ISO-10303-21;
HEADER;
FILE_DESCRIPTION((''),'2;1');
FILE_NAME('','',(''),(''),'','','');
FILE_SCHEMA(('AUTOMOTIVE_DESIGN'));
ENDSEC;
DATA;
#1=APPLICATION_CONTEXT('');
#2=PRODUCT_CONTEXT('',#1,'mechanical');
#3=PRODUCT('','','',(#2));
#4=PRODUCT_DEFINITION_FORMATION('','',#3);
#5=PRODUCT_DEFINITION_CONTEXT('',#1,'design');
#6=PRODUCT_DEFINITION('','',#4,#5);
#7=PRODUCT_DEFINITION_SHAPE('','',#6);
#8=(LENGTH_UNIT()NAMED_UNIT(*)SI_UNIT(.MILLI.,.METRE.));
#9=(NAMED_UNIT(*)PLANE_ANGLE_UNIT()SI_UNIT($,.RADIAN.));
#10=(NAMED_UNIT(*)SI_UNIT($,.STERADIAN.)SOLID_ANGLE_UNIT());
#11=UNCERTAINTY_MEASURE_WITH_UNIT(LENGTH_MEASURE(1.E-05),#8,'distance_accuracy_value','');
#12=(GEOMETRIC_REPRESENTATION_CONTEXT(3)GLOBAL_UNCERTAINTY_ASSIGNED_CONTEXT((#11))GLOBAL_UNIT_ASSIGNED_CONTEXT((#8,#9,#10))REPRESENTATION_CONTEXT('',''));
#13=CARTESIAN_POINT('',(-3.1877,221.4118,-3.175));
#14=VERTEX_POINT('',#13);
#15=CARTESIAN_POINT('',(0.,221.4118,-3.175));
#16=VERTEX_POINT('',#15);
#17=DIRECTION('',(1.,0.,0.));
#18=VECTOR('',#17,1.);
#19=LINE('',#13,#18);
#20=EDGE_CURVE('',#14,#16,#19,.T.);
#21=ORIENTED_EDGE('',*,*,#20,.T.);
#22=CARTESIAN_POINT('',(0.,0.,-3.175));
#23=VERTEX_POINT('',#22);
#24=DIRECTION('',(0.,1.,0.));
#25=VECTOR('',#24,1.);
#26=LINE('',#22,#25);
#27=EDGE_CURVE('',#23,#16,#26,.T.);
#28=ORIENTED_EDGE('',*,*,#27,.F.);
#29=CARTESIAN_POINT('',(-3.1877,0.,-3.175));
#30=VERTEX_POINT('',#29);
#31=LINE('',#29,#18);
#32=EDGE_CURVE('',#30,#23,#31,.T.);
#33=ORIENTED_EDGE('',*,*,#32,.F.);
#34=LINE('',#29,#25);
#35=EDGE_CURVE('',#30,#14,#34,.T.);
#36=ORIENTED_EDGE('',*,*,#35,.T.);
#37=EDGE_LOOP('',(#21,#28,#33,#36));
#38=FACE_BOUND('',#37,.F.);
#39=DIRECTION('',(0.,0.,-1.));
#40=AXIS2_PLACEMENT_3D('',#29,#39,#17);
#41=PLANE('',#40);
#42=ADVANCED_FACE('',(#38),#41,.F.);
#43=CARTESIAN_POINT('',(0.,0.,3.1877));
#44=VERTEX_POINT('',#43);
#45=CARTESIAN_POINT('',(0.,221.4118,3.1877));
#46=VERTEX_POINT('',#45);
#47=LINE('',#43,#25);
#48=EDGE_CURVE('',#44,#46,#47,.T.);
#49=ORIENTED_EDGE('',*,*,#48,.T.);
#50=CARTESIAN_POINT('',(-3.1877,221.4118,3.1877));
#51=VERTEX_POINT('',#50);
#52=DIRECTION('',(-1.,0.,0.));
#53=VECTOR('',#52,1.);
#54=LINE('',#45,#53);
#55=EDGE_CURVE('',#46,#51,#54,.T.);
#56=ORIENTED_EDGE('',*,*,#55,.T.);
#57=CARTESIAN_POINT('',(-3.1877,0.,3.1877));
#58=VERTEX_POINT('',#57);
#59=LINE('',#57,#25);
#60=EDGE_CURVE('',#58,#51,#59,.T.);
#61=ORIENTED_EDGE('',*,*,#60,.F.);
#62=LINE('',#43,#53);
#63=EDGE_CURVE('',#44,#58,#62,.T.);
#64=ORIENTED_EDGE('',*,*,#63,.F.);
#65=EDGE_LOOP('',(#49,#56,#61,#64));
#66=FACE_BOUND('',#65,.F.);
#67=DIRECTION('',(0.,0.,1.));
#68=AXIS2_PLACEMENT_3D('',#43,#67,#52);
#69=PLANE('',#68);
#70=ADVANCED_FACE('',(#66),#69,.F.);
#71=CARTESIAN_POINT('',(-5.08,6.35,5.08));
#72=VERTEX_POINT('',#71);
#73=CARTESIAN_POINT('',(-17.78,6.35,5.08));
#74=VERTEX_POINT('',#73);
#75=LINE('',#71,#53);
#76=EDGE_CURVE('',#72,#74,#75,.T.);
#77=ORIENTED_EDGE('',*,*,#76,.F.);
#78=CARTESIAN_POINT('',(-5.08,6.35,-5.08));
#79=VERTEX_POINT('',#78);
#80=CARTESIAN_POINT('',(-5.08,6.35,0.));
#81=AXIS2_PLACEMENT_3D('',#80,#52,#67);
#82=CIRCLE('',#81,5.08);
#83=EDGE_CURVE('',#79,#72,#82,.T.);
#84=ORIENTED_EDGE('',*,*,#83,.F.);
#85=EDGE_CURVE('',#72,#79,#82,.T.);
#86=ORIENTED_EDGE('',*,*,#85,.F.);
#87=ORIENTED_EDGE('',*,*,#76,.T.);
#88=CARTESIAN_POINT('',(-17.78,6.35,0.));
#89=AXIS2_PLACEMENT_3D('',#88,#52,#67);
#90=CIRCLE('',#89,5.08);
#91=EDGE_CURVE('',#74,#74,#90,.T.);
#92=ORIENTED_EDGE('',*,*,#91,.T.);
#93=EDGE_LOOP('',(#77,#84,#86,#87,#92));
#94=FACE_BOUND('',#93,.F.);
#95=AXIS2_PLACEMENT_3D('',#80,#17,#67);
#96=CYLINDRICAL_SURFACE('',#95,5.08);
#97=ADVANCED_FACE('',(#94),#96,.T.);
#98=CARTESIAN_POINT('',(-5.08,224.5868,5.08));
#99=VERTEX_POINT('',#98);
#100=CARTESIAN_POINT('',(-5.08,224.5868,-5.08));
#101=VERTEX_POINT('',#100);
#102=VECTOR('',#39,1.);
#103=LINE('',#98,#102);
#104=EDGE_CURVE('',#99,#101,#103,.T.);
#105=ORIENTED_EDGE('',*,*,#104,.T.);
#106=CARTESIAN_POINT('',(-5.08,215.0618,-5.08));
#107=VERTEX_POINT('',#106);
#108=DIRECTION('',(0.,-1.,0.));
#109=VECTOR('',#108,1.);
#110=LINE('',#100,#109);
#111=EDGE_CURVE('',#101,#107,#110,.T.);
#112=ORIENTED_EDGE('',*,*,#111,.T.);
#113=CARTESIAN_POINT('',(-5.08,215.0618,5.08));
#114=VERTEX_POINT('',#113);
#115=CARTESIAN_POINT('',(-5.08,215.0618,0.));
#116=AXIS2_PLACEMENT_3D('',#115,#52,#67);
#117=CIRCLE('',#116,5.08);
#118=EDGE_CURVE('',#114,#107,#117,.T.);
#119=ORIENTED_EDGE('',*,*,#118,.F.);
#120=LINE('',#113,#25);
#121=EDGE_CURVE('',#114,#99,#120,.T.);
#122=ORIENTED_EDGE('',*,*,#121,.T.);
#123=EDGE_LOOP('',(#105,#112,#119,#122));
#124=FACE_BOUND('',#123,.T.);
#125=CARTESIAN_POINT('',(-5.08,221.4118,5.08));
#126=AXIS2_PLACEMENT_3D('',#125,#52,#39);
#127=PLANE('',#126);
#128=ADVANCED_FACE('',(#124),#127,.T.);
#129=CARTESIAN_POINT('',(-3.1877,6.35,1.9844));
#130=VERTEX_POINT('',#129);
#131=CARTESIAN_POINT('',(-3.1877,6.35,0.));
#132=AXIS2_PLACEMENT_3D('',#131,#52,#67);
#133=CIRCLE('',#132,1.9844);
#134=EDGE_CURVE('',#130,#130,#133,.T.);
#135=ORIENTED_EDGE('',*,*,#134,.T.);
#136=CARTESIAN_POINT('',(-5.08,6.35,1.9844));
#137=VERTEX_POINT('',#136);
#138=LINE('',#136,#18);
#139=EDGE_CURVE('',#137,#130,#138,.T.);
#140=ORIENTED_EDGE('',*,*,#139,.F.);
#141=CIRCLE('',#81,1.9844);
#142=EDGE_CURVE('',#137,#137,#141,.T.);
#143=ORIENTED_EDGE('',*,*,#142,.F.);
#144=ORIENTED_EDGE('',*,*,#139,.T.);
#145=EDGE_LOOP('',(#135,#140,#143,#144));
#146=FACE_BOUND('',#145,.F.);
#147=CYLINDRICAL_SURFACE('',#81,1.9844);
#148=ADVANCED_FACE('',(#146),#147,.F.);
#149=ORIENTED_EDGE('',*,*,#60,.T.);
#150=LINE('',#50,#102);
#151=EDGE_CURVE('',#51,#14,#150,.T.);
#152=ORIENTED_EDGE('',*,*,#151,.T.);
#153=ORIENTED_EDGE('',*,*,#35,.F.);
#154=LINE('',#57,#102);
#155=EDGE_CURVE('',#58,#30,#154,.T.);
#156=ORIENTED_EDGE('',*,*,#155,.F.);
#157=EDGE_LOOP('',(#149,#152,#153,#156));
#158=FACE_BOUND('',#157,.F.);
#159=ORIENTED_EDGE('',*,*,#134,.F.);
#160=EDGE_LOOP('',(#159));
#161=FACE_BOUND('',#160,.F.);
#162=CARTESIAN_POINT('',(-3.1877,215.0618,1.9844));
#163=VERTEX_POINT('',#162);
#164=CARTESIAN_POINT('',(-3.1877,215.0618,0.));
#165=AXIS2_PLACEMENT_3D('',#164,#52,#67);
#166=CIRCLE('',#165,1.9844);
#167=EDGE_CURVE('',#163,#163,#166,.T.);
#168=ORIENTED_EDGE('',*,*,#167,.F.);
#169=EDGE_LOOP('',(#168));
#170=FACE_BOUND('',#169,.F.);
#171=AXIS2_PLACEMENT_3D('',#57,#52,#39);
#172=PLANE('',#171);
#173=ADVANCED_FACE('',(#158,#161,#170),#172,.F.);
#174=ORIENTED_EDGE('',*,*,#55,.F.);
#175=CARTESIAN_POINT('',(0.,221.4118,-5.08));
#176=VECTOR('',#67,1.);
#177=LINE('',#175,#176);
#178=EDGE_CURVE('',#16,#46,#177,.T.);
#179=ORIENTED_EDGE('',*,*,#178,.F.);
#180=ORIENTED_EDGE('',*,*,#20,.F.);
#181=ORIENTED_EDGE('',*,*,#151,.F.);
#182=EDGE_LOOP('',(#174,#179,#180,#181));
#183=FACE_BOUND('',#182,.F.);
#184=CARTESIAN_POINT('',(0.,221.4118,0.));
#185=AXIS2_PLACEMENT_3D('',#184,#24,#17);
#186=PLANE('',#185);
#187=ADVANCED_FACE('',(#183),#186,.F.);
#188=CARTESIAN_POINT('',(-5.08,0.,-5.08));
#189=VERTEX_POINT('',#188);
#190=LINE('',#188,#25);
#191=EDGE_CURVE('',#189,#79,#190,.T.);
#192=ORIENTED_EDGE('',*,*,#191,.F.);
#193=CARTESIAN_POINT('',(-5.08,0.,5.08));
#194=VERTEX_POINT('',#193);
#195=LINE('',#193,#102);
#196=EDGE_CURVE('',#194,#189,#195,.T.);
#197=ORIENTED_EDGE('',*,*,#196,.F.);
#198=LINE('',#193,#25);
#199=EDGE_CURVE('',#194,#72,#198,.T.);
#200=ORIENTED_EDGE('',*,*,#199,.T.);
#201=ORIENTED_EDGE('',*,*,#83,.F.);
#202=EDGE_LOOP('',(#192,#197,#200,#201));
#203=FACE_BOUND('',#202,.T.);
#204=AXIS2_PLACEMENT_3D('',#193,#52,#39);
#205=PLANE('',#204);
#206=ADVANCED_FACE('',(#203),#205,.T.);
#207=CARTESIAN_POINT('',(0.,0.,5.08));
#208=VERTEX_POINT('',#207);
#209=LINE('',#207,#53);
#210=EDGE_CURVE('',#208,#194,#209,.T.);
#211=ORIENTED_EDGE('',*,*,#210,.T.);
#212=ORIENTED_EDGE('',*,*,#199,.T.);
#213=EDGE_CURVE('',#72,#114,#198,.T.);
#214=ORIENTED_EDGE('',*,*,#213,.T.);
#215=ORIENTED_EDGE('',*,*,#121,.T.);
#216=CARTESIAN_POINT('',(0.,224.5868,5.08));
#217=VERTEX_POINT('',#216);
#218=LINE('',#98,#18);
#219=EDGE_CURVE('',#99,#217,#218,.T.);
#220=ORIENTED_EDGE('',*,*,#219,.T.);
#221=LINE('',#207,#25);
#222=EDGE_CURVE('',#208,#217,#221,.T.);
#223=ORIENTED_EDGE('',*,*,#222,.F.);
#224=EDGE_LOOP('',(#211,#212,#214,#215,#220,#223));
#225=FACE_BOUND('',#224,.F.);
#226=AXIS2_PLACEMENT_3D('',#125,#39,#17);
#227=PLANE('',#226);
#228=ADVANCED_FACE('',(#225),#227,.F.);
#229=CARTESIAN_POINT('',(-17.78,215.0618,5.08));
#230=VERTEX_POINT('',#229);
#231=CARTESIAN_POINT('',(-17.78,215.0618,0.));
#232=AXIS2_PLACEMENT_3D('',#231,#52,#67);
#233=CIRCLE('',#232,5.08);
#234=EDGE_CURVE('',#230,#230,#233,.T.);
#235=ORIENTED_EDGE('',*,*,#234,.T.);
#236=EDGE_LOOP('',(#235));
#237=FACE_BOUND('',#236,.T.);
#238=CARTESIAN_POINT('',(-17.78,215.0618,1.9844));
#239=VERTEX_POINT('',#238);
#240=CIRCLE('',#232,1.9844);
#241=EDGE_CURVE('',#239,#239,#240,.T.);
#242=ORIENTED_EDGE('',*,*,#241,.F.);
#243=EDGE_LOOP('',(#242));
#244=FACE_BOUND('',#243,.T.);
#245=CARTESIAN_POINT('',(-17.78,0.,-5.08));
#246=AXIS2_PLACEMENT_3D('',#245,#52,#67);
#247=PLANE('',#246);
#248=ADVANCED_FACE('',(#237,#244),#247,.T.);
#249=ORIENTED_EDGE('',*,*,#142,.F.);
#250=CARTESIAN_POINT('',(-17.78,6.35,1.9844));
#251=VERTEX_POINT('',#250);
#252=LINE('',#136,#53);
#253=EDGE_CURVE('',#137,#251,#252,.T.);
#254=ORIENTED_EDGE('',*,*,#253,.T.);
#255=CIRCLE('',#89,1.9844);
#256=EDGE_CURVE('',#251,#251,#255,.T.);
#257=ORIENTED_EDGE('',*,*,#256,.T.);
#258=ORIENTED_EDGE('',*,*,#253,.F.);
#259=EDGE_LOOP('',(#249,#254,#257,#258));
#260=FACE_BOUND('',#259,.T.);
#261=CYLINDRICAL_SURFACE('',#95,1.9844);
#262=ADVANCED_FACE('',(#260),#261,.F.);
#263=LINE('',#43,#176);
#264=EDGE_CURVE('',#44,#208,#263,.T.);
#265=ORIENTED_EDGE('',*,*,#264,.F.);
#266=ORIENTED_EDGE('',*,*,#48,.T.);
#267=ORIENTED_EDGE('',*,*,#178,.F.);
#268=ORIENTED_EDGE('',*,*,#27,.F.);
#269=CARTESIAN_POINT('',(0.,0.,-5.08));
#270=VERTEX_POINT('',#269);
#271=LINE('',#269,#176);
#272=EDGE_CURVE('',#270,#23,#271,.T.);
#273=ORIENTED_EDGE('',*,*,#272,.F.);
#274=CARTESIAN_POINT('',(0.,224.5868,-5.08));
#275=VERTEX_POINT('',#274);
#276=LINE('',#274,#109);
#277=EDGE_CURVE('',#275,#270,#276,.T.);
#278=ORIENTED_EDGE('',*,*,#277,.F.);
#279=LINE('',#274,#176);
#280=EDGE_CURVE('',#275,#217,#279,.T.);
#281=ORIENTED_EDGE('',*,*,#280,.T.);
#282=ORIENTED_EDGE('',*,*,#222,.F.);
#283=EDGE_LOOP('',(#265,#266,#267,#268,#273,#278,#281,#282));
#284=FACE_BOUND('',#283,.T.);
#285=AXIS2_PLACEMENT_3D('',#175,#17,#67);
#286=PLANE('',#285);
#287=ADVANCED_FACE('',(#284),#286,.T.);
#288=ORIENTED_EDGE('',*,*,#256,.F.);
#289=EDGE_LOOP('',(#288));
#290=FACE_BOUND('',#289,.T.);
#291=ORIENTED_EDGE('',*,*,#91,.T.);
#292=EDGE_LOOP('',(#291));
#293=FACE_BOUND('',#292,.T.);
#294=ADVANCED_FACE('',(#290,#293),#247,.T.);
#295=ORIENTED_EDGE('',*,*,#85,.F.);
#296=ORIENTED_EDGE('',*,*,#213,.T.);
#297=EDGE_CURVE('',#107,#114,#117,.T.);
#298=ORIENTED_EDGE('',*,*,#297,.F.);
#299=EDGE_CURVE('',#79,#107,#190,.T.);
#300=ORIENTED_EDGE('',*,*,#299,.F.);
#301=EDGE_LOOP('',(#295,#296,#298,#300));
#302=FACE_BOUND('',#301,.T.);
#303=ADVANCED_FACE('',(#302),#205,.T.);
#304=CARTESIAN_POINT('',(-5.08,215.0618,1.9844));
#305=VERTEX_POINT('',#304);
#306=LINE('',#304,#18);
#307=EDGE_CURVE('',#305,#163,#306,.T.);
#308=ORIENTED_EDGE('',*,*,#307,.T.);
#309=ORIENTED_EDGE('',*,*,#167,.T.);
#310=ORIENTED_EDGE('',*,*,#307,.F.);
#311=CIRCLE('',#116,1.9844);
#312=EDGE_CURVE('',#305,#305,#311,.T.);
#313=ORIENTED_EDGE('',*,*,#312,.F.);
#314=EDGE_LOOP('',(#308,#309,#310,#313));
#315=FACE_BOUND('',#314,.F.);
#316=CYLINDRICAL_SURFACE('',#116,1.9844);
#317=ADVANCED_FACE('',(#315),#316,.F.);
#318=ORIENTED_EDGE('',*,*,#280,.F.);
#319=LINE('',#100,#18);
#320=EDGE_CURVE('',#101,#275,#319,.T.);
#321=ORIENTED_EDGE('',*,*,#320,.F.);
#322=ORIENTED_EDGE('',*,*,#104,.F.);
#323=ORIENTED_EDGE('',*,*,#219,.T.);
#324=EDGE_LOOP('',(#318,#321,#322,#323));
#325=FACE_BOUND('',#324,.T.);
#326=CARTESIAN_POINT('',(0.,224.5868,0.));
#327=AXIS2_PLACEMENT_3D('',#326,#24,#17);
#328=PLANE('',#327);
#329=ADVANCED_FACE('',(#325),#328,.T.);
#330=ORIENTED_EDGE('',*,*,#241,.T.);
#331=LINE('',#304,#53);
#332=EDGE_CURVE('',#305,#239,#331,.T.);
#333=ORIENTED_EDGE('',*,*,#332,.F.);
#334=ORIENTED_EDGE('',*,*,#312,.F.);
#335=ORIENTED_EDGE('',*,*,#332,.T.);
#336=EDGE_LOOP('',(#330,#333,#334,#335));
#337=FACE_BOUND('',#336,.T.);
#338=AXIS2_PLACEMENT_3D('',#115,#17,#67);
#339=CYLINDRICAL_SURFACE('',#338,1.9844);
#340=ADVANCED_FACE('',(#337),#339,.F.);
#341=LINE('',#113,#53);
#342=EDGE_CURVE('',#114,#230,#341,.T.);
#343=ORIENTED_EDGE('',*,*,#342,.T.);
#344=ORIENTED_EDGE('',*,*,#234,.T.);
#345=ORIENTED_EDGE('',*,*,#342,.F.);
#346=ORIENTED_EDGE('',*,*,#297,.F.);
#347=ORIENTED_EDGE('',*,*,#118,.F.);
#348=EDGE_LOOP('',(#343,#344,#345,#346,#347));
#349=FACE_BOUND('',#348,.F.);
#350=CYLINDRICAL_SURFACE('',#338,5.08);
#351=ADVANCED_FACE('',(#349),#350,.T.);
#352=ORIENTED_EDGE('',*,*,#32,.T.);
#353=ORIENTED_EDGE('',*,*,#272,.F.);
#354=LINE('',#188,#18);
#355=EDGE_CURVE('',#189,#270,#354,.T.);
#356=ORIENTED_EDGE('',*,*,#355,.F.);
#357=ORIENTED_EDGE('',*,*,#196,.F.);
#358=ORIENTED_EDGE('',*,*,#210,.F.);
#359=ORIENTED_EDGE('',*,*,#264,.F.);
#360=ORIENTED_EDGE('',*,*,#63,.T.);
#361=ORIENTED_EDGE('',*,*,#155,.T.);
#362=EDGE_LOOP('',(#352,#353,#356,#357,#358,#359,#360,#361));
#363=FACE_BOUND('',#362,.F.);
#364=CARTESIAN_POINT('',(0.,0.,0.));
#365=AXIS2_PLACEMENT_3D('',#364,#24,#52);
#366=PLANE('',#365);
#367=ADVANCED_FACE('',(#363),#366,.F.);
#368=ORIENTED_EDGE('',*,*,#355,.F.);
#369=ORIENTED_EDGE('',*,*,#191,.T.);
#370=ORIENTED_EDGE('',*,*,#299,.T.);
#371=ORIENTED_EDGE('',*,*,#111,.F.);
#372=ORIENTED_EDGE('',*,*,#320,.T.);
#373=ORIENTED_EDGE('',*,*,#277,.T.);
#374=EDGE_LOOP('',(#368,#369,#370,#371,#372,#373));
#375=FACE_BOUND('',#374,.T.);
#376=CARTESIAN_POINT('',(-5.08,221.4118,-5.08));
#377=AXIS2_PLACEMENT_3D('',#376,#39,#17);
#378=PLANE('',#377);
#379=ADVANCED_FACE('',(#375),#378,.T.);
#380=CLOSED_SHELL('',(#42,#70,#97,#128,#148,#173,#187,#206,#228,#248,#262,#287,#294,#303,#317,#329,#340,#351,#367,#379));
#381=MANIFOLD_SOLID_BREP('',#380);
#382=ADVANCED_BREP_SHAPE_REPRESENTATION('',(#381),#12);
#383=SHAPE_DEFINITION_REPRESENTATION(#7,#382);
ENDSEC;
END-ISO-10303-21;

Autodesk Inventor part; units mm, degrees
ref_plane "YZ Plane" through (0, 0, 0) normal (1, 0, 0) x (0, 1, 0)
ref_plane "XZ Plane" through (0, 0, 0) normal (0, 1, 0) x (-1, 0, 0)
ref_plane "XY Plane" through (0, 0, 0) normal (0, 0, 1) x (1, 0, 0)
sketch "Sketch1" plane through (0, 0, 0) normal (0, 1, 0) x (-1, 0, 0)
  line L0 (0, 3.1877) -> (3.1877, 3.1877)
  line L1 (3.1877, 3.1877) -> (3.1877, -3.175)
  line L2 (3.1877, -3.175) -> (0, -3.175)
  line L3 (0, 5.08) -> (5.08, 5.08)
  line L4 (5.08, 5.08) -> (5.08, -5.08)
  line L5 (5.08, -5.08) -> (0, -5.08)
  line L6 (0, -5.08) -> (0, -3.175)
  line L7 (0, 3.1877) -> (0, 5.08)
  point P0 (0, 0)
  dimension "d0" = 3.1877
  dimension "d1" = 5.08
  dimension "d2" = 10.16
extrude "Extrusion1" add sketch "Sketch1" along normal blind 221.4118
sketch "Sketch2" plane through (-5.08, 0, -5.08) normal (-1, 0, 0) x (0, 0, 1)
  circle A0 centre (5.08, 6.35) radius 1.9844
  circle A1 centre (5.08, 215.0618) radius 1.9844
  point P0 (5.08, 0)
  dimension "d5" = 3.9688
  dimension "d6" = 3.9688
extrude "Extrusion2" cut sketch "Sketch2" against normal blind 221.4118
sketch "Sketch3" plane through (-5.08, 0, -5.08) normal (-1, 0, 0) x (0, 0, 1)
  circle A0 centre (5.08, 6.35) radius 5.08
  circle A1 centre (5.08, 215.0618) radius 1.9844 projected
  circle A2 centre (5.08, 215.0618) radius 5.08
  line L0 (10.16, 0) -> (10.16, 221.4118) projected
  circle A3 centre (5.08, 6.35) radius 1.9844 projected
  point P0 (5.08, 0)
  dimension "d9" = 10.16
extrude "Extrusion3" add sketch "Sketch3" along normal blind 12.7
sketch "Sketch4" plane through (0, 221.4118, 0) normal (0, 1, 0) x (1, 0, 0)
  line L0 (-5.08, -5.08) -> (0, -5.08) projected
  line L1 (-5.08, -5.08) -> (-5.08, 5.08) projected
  line L2 (0, -5.08) -> (-5.08, -5.08)
  line L3 (-5.08, -5.08) -> (-5.08, 5.08)
  line L4 (-5.08, 5.08) -> (0, 5.08)
  line L5 (0, 5.08) -> (0, -5.08)
  point P0 (0, 0)
extrude "Extrusion4" add sketch "Sketch4" along normal blind 3.175
sketch "Sketch5" plane through (-5.08, 6.35, -5.08) normal (-1, 0, 0) x (0, 0, 1)
  point P0 (5.08, -6.35)
properties part number "hs_intake_synchronizer"
